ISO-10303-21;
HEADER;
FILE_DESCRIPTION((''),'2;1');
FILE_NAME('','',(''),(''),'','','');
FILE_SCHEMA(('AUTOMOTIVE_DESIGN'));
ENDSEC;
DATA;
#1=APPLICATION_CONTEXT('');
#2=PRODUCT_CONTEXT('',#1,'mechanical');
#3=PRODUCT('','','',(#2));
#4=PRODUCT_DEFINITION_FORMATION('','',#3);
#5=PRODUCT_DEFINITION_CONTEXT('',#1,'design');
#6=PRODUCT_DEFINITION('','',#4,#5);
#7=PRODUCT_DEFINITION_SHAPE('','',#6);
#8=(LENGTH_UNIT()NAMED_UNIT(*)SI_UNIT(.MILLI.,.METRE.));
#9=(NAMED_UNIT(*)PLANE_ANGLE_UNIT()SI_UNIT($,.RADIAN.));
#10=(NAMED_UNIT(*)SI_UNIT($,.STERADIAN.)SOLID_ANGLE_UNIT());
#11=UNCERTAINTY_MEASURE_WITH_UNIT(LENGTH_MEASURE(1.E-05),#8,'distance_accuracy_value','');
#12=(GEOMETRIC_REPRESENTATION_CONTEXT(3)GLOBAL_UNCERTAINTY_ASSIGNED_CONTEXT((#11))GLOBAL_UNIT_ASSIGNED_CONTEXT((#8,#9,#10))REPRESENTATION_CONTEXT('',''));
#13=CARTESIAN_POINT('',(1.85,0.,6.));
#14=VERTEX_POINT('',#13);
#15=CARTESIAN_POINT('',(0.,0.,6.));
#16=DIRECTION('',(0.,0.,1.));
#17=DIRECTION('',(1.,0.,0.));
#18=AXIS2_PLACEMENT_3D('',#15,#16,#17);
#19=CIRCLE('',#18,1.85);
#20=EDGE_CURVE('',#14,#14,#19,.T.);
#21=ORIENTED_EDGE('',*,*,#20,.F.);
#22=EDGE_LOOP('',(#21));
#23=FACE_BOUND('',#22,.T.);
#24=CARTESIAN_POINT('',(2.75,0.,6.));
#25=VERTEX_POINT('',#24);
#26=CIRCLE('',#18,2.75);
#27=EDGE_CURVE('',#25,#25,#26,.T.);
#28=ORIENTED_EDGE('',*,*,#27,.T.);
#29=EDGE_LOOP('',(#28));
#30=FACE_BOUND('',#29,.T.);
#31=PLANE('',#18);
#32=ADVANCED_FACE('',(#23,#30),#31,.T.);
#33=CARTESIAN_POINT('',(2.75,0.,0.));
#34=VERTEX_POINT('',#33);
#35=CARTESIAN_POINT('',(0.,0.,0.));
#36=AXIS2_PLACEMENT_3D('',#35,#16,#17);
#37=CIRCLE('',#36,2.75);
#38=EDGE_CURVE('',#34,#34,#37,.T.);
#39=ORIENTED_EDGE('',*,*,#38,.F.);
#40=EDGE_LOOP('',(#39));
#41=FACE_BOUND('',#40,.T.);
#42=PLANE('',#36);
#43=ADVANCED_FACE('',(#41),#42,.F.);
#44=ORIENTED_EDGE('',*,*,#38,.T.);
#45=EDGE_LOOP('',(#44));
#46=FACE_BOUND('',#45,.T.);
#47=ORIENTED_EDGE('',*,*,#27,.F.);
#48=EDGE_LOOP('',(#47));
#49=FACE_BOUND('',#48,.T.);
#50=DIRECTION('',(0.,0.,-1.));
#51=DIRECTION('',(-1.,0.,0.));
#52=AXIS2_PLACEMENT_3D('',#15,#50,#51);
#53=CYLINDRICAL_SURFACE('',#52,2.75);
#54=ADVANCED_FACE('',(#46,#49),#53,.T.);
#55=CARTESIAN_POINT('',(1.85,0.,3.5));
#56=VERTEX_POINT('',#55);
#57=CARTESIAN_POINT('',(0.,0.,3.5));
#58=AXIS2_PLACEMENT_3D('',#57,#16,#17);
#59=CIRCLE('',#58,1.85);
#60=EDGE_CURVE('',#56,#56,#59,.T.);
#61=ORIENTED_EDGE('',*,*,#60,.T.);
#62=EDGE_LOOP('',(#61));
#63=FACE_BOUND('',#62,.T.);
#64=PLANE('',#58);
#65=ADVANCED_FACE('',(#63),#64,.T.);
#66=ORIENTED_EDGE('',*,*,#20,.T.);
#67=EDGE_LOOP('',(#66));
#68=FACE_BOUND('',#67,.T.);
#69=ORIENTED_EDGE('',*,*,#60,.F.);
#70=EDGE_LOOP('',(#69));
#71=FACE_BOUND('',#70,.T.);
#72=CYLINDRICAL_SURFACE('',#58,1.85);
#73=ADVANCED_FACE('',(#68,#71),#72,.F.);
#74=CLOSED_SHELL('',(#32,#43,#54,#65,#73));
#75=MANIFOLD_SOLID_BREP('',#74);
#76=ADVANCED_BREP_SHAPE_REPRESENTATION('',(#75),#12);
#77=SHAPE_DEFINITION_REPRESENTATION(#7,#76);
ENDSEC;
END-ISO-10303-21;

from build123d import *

# Parameters (mm, degrees)
SKICA1_R                 = 2.75
P_IDAT_VYSUNUT_M1_DEPTH  = 6
SKICA2_R                 = 1.85
ODEBRAT_VYSUNUT_M1_DEPTH = 2.5


with BuildPart() as part:
    # Skica1 → Přidat vysunutím1 (new body)
    with BuildSketch(Plane.XY):
        Circle(SKICA1_R)
    extrude(amount=P_IDAT_VYSUNUT_M1_DEPTH)

    # Skica2 → Odebrat vysunutím1 (cut)
    with BuildSketch(Plane.XY.offset(6)):
        Circle(SKICA2_R)
    extrude(amount=-ODEBRAT_VYSUNUT_M1_DEPTH, mode=Mode.SUBTRACT)


solid = part.part
